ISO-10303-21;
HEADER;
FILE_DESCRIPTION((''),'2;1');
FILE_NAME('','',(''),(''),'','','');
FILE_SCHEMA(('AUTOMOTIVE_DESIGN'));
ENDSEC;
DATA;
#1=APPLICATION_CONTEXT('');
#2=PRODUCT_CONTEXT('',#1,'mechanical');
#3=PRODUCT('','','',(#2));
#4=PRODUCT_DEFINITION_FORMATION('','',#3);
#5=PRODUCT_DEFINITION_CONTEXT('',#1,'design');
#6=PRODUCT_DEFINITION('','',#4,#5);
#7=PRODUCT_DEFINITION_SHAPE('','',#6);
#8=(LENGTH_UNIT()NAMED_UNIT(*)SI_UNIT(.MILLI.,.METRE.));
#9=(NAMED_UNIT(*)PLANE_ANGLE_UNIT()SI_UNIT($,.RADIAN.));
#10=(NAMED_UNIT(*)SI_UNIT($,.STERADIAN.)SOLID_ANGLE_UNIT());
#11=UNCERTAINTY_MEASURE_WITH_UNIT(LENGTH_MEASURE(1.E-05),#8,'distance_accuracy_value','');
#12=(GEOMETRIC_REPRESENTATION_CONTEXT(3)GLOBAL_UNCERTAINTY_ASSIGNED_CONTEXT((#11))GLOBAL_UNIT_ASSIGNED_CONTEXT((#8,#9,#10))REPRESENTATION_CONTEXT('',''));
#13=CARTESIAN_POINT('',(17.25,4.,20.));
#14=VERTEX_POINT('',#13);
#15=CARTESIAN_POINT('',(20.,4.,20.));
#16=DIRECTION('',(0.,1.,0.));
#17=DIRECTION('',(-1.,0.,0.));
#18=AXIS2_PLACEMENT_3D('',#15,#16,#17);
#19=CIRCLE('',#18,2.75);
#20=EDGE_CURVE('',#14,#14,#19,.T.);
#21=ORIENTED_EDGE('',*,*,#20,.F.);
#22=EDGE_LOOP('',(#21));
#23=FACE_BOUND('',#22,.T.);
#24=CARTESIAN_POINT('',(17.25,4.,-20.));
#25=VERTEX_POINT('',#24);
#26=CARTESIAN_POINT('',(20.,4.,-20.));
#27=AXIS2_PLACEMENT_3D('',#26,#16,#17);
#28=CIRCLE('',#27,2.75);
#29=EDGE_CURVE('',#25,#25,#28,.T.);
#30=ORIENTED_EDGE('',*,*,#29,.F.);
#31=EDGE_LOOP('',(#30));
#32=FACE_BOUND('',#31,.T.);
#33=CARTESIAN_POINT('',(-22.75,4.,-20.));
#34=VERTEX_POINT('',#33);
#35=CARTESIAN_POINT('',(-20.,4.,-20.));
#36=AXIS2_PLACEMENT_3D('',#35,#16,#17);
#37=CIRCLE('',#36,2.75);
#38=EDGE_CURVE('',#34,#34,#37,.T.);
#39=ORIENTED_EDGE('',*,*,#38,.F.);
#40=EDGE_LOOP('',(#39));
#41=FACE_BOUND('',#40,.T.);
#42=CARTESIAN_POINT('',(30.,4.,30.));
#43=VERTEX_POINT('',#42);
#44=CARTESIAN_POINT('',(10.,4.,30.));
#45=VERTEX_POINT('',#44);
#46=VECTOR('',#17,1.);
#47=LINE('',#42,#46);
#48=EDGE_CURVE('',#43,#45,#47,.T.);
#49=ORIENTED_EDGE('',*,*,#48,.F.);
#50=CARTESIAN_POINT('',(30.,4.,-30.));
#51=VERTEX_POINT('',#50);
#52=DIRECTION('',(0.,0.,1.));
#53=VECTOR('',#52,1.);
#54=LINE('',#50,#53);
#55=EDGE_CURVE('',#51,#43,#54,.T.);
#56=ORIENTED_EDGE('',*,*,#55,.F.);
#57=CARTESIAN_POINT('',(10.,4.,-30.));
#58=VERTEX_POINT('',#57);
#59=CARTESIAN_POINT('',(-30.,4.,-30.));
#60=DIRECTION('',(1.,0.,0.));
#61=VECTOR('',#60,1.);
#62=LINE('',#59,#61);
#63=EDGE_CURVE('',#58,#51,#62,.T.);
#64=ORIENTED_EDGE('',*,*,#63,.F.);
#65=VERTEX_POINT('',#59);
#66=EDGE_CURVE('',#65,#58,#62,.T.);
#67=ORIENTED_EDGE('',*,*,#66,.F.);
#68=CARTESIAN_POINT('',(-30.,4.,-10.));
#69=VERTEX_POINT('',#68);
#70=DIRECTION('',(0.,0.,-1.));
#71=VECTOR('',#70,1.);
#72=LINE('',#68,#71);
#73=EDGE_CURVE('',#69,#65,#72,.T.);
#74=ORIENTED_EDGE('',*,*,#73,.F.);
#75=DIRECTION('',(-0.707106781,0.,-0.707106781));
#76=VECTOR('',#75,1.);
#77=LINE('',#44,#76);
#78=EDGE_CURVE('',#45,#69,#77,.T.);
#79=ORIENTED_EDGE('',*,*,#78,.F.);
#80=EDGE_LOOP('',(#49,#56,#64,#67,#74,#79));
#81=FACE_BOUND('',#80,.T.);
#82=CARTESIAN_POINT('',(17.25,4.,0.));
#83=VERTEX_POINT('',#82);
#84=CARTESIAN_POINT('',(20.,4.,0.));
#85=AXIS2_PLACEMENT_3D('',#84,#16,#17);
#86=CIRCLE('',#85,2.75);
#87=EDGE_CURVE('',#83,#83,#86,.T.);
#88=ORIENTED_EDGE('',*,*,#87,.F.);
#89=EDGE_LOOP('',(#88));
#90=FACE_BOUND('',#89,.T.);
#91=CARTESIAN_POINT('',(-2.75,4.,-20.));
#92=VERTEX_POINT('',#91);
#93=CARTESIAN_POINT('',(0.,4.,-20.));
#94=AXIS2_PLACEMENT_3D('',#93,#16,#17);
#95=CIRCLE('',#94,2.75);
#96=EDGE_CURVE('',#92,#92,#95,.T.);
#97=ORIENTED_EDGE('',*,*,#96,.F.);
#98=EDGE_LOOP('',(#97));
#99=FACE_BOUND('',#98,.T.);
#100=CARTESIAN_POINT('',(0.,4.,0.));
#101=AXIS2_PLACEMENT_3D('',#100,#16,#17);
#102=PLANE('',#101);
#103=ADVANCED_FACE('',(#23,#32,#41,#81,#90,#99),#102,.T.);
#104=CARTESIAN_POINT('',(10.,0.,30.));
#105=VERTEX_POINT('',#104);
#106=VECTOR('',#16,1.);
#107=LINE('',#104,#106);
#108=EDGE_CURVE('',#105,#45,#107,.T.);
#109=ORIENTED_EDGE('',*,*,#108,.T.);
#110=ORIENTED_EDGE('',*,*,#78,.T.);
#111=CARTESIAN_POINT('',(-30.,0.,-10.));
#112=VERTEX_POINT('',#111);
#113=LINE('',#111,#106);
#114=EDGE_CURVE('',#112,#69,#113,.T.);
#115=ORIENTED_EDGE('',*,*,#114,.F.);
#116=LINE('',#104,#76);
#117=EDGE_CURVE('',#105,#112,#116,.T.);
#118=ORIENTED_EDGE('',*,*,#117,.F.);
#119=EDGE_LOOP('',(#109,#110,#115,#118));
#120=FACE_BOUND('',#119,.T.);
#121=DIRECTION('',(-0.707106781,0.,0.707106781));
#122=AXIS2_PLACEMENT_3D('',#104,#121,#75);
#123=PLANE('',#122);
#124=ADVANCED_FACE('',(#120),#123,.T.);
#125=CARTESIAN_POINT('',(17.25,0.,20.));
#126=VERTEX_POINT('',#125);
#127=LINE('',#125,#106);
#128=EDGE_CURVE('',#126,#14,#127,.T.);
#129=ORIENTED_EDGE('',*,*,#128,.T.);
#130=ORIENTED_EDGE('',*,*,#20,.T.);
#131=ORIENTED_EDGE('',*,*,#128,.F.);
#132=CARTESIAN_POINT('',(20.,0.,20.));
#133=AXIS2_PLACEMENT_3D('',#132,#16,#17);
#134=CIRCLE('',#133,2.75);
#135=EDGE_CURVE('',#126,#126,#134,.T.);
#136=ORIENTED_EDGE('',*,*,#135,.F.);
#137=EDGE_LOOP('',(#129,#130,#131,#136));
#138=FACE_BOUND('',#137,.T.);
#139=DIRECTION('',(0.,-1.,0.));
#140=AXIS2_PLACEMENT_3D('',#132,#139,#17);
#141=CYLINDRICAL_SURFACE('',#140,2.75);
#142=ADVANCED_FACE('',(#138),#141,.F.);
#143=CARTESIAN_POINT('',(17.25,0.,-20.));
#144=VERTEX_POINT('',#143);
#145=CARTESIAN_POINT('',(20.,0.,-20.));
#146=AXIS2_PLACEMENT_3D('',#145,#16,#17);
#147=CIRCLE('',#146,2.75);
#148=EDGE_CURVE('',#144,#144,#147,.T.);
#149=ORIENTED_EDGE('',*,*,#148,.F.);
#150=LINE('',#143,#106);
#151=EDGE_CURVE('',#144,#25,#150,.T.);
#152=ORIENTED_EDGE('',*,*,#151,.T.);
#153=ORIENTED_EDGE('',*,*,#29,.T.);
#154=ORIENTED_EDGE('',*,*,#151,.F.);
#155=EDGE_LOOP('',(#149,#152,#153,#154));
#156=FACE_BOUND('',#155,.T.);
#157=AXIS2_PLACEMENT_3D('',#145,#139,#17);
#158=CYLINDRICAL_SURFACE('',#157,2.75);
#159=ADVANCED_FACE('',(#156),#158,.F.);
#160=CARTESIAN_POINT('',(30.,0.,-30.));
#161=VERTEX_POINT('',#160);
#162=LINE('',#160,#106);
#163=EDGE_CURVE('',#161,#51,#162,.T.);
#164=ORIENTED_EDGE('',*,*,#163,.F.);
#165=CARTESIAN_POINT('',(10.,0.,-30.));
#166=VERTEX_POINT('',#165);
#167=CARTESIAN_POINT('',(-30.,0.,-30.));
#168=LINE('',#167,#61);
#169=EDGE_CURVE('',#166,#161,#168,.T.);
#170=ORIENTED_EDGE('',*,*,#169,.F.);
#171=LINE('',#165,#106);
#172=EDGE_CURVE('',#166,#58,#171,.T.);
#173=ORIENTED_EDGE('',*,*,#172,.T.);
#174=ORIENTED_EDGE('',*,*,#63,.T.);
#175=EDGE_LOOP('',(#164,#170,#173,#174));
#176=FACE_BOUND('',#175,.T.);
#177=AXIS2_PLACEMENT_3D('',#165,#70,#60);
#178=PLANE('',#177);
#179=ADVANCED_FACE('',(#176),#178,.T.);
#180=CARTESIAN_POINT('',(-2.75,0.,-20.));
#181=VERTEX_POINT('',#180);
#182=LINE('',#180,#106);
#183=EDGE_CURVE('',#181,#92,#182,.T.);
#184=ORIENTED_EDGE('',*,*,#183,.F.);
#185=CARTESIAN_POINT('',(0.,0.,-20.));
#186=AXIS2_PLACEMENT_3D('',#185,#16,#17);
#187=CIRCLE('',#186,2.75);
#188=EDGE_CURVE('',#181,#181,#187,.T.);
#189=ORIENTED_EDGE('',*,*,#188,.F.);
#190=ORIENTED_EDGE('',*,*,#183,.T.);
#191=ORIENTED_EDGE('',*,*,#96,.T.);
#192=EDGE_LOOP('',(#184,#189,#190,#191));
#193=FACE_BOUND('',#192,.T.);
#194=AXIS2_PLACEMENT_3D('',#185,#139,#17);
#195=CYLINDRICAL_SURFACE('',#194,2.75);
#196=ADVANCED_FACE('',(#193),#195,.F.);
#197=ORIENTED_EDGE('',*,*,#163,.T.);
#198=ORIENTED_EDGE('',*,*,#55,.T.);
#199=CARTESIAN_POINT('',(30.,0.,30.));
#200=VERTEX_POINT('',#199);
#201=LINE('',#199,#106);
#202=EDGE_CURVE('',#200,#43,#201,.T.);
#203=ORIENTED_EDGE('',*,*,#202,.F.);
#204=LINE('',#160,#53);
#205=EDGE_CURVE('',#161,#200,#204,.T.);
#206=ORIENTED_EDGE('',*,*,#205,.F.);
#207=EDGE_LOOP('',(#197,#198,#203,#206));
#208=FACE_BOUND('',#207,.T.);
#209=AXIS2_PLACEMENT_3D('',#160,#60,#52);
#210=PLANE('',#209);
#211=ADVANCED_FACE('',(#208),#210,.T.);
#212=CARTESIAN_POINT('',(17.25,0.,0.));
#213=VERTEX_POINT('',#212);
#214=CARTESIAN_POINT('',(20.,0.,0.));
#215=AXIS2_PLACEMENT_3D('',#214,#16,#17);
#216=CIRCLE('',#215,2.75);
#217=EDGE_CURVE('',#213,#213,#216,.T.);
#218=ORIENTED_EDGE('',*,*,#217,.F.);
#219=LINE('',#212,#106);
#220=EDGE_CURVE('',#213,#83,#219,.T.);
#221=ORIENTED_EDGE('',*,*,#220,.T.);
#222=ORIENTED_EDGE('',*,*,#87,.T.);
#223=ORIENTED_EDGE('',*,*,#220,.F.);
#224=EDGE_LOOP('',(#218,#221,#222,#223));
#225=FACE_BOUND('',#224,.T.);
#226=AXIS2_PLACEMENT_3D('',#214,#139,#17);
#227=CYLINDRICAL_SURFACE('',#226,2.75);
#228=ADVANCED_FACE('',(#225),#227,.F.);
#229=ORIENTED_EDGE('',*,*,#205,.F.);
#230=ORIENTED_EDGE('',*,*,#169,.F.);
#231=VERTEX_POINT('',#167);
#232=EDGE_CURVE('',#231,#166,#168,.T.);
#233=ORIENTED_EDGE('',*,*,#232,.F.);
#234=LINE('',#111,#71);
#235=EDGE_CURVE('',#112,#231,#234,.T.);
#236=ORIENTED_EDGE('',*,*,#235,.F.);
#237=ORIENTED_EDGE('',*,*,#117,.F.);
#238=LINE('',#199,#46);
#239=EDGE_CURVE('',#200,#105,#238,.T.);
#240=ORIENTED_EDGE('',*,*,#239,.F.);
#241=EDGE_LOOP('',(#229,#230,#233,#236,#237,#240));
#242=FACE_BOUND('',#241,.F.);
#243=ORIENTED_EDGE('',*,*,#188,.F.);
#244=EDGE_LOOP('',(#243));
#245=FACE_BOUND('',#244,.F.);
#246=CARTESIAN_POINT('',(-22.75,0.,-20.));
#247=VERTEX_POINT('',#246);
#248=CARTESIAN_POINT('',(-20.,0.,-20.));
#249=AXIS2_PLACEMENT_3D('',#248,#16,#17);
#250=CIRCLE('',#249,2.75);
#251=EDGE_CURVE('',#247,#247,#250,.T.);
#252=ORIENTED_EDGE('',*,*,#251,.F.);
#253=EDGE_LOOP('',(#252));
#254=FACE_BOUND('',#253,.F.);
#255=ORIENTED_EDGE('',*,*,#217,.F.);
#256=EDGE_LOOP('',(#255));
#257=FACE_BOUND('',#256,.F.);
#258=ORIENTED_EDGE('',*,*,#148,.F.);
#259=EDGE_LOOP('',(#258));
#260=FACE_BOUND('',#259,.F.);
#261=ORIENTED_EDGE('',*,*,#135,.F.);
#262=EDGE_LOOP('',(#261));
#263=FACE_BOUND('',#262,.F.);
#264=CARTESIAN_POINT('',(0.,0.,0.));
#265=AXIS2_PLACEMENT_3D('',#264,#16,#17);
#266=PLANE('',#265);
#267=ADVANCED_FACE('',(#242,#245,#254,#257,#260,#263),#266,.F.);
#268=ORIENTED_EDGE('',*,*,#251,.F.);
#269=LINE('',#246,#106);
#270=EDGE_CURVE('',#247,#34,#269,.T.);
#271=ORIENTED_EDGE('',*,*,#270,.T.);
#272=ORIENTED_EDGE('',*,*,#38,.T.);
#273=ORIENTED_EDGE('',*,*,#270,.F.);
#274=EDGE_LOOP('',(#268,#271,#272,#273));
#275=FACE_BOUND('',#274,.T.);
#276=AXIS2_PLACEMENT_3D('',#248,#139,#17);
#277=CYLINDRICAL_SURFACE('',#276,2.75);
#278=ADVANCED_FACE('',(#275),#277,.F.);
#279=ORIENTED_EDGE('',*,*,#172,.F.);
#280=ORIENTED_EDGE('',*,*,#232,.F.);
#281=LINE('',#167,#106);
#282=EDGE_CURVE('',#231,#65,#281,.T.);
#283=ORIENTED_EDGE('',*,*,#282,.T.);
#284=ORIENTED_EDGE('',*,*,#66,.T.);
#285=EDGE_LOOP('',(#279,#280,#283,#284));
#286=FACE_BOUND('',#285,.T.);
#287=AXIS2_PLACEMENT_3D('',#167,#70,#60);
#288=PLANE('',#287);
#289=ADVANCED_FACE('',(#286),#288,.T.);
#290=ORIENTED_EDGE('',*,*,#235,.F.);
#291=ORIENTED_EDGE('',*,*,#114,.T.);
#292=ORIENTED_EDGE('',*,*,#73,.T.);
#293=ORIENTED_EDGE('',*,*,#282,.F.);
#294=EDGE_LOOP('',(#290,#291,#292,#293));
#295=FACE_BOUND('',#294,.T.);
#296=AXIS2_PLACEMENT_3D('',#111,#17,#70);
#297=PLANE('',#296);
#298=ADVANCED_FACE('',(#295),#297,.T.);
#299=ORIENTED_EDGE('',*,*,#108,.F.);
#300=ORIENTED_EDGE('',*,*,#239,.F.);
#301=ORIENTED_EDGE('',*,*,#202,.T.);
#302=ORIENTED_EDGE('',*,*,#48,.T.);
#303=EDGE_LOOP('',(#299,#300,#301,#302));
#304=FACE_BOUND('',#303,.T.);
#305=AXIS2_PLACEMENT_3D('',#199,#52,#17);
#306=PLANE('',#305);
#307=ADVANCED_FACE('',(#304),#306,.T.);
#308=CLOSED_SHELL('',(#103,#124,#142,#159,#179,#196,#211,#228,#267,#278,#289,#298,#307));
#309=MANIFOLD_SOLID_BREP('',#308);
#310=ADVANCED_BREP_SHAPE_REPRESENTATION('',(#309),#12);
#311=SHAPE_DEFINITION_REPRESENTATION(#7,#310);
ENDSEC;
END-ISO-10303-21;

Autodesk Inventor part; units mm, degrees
ref_plane "YZ Plane" through (0, 0, 0) normal (1, 0, 0) x (0, 1, 0)
ref_plane "XZ Plane" through (0, 0, 0) normal (0, 1, 0) x (-1, 0, 0)
ref_plane "XY Plane" through (0, 0, 0) normal (0, 0, 1) x (1, 0, 0)
sketch "Sketch1" plane through (0, 0, 0) normal (0, 1, 0) x (-1, 0, 0)
  line L0 (-30, 30) -> (-10, 30)
  line L1 (30, -10) -> (30, -30)
  line L2 (30, -30) -> (-30, -30)
  line L3 (-30, -30) -> (-30, 30)
  line L4 (-30, 30) -> (30, -30) construction
  line L5 (30, 30) -> (-30, -30) construction
  line L6 (-30, 30) -> (-10, 30)
  line L7 (-10, -30) -> (-30, -30)
  line L8 (-30, -30) -> (-30, 30)
  line L9 (30, -30) -> (-10, -30)
  line L10 (30, -10) -> (30, -30)
  line L11 (-10, 30) -> (30, -10)
  circle A0 centre (-20, -20) radius 2.75
  circle A1 centre (-20, 0) radius 2.75
  circle A2 centre (-20, 20) radius 2.75
  circle A3 centre (0, -20) radius 2.75
  circle A4 centre (20, -20) radius 2.75
  point P0 (0, 0)
  dimension "d0" = 60
  dimension "d1" = 60
  dimension "d4" = 5.5
  dimension "d5" = 5.5
  dimension "d6" = 5.5
  dimension "d7" = 5.5
  dimension "d8" = 5.5
extrude "Extrusion1" add sketch "Sketch1" along normal blind 4
properties part number "2020-90-plate"
